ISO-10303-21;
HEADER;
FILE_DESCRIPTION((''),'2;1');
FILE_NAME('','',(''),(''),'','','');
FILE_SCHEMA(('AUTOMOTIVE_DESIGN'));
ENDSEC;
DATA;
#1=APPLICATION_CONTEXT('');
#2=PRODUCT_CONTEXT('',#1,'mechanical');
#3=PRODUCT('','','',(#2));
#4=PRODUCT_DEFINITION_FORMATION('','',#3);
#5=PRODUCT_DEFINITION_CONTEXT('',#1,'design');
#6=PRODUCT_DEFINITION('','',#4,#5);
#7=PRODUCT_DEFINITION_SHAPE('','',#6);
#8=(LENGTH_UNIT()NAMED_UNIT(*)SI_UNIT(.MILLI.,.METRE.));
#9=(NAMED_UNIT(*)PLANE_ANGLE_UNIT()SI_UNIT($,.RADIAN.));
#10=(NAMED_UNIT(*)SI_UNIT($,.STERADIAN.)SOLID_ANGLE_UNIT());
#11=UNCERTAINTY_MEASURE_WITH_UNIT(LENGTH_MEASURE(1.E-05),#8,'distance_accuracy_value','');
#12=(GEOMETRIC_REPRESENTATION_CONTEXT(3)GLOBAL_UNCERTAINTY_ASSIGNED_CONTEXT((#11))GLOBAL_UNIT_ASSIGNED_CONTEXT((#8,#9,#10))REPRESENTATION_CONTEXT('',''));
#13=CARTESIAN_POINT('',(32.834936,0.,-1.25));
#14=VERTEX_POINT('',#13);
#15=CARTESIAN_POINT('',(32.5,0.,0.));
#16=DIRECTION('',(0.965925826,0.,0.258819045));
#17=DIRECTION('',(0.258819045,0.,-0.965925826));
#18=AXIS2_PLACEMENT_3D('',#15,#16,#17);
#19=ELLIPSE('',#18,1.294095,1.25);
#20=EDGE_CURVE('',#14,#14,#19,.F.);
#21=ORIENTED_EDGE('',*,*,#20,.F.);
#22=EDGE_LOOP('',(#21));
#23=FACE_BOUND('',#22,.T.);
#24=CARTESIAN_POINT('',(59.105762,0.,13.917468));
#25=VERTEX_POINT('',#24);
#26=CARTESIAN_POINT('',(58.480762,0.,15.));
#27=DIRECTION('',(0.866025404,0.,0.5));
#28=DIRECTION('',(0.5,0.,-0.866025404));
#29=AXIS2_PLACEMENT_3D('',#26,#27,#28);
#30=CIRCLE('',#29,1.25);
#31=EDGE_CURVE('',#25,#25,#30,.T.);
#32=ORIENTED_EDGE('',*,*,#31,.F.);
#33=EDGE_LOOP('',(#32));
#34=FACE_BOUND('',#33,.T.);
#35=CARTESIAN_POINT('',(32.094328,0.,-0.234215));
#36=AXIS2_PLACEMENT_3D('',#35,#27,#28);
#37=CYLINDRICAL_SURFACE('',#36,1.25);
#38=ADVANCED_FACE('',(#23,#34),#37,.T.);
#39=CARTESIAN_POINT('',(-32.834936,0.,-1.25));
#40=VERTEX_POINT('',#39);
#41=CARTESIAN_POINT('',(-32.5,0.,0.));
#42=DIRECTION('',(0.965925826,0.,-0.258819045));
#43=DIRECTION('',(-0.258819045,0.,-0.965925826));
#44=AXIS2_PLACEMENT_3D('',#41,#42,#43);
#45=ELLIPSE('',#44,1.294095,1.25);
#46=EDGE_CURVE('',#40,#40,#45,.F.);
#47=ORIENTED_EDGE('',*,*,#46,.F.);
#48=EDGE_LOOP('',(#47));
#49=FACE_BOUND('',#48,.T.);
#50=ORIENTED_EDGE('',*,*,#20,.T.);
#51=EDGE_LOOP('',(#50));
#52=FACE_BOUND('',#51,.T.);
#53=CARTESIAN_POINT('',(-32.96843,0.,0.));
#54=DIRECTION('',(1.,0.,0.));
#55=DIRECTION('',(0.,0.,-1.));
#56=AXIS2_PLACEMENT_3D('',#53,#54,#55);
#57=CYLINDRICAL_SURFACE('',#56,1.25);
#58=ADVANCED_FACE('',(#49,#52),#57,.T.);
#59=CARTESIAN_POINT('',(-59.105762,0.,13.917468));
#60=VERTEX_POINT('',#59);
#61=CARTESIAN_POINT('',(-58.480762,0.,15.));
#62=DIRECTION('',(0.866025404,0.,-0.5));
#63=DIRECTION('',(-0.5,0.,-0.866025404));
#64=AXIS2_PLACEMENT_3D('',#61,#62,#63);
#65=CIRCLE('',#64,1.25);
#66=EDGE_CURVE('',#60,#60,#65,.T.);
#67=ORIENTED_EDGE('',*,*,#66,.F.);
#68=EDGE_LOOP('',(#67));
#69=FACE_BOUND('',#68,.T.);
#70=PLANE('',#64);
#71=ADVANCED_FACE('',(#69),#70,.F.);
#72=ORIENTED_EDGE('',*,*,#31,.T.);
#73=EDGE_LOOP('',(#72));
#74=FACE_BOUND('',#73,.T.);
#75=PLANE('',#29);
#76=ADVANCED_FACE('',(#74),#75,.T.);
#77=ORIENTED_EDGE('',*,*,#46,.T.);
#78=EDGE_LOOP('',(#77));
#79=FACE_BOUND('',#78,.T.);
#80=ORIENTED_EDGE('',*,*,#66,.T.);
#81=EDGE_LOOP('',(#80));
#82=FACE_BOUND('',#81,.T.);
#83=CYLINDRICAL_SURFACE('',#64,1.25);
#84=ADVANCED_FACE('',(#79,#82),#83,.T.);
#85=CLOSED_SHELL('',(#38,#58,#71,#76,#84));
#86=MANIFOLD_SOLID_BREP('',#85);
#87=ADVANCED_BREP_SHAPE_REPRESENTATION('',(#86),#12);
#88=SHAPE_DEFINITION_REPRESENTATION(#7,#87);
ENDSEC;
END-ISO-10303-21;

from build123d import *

# Parameters (mm, degrees)
VARREDURA1_PROFILE_R = 1.25


with BuildPart() as part:
    # Varredura1: sweep along a path in Esboço8
    with BuildLine(Plane(origin=(0, 0, 0), x_dir=(1, 0, 0), z_dir=(0, 1, 0))) as varredura1_path:
        Line((58.480762114, -15), (32.5, 0))
        Line((32.5, 0), (-32.5, 0))
        Line((-32.5, 0), (-58.480762114, -15))
    # Varredura1 profile (on start of the path) → Varredura1 (sweep)
    with BuildSketch(Plane(origin=(58.480762114, 0, 15), x_dir=(0.5, 0, -0.866025404), z_dir=(-0.866025404, 0, -0.5))):
        Circle(VARREDURA1_PROFILE_R)
    sweep(path=varredura1_path.line, transition=Transition.RIGHT)


solid = part.part
